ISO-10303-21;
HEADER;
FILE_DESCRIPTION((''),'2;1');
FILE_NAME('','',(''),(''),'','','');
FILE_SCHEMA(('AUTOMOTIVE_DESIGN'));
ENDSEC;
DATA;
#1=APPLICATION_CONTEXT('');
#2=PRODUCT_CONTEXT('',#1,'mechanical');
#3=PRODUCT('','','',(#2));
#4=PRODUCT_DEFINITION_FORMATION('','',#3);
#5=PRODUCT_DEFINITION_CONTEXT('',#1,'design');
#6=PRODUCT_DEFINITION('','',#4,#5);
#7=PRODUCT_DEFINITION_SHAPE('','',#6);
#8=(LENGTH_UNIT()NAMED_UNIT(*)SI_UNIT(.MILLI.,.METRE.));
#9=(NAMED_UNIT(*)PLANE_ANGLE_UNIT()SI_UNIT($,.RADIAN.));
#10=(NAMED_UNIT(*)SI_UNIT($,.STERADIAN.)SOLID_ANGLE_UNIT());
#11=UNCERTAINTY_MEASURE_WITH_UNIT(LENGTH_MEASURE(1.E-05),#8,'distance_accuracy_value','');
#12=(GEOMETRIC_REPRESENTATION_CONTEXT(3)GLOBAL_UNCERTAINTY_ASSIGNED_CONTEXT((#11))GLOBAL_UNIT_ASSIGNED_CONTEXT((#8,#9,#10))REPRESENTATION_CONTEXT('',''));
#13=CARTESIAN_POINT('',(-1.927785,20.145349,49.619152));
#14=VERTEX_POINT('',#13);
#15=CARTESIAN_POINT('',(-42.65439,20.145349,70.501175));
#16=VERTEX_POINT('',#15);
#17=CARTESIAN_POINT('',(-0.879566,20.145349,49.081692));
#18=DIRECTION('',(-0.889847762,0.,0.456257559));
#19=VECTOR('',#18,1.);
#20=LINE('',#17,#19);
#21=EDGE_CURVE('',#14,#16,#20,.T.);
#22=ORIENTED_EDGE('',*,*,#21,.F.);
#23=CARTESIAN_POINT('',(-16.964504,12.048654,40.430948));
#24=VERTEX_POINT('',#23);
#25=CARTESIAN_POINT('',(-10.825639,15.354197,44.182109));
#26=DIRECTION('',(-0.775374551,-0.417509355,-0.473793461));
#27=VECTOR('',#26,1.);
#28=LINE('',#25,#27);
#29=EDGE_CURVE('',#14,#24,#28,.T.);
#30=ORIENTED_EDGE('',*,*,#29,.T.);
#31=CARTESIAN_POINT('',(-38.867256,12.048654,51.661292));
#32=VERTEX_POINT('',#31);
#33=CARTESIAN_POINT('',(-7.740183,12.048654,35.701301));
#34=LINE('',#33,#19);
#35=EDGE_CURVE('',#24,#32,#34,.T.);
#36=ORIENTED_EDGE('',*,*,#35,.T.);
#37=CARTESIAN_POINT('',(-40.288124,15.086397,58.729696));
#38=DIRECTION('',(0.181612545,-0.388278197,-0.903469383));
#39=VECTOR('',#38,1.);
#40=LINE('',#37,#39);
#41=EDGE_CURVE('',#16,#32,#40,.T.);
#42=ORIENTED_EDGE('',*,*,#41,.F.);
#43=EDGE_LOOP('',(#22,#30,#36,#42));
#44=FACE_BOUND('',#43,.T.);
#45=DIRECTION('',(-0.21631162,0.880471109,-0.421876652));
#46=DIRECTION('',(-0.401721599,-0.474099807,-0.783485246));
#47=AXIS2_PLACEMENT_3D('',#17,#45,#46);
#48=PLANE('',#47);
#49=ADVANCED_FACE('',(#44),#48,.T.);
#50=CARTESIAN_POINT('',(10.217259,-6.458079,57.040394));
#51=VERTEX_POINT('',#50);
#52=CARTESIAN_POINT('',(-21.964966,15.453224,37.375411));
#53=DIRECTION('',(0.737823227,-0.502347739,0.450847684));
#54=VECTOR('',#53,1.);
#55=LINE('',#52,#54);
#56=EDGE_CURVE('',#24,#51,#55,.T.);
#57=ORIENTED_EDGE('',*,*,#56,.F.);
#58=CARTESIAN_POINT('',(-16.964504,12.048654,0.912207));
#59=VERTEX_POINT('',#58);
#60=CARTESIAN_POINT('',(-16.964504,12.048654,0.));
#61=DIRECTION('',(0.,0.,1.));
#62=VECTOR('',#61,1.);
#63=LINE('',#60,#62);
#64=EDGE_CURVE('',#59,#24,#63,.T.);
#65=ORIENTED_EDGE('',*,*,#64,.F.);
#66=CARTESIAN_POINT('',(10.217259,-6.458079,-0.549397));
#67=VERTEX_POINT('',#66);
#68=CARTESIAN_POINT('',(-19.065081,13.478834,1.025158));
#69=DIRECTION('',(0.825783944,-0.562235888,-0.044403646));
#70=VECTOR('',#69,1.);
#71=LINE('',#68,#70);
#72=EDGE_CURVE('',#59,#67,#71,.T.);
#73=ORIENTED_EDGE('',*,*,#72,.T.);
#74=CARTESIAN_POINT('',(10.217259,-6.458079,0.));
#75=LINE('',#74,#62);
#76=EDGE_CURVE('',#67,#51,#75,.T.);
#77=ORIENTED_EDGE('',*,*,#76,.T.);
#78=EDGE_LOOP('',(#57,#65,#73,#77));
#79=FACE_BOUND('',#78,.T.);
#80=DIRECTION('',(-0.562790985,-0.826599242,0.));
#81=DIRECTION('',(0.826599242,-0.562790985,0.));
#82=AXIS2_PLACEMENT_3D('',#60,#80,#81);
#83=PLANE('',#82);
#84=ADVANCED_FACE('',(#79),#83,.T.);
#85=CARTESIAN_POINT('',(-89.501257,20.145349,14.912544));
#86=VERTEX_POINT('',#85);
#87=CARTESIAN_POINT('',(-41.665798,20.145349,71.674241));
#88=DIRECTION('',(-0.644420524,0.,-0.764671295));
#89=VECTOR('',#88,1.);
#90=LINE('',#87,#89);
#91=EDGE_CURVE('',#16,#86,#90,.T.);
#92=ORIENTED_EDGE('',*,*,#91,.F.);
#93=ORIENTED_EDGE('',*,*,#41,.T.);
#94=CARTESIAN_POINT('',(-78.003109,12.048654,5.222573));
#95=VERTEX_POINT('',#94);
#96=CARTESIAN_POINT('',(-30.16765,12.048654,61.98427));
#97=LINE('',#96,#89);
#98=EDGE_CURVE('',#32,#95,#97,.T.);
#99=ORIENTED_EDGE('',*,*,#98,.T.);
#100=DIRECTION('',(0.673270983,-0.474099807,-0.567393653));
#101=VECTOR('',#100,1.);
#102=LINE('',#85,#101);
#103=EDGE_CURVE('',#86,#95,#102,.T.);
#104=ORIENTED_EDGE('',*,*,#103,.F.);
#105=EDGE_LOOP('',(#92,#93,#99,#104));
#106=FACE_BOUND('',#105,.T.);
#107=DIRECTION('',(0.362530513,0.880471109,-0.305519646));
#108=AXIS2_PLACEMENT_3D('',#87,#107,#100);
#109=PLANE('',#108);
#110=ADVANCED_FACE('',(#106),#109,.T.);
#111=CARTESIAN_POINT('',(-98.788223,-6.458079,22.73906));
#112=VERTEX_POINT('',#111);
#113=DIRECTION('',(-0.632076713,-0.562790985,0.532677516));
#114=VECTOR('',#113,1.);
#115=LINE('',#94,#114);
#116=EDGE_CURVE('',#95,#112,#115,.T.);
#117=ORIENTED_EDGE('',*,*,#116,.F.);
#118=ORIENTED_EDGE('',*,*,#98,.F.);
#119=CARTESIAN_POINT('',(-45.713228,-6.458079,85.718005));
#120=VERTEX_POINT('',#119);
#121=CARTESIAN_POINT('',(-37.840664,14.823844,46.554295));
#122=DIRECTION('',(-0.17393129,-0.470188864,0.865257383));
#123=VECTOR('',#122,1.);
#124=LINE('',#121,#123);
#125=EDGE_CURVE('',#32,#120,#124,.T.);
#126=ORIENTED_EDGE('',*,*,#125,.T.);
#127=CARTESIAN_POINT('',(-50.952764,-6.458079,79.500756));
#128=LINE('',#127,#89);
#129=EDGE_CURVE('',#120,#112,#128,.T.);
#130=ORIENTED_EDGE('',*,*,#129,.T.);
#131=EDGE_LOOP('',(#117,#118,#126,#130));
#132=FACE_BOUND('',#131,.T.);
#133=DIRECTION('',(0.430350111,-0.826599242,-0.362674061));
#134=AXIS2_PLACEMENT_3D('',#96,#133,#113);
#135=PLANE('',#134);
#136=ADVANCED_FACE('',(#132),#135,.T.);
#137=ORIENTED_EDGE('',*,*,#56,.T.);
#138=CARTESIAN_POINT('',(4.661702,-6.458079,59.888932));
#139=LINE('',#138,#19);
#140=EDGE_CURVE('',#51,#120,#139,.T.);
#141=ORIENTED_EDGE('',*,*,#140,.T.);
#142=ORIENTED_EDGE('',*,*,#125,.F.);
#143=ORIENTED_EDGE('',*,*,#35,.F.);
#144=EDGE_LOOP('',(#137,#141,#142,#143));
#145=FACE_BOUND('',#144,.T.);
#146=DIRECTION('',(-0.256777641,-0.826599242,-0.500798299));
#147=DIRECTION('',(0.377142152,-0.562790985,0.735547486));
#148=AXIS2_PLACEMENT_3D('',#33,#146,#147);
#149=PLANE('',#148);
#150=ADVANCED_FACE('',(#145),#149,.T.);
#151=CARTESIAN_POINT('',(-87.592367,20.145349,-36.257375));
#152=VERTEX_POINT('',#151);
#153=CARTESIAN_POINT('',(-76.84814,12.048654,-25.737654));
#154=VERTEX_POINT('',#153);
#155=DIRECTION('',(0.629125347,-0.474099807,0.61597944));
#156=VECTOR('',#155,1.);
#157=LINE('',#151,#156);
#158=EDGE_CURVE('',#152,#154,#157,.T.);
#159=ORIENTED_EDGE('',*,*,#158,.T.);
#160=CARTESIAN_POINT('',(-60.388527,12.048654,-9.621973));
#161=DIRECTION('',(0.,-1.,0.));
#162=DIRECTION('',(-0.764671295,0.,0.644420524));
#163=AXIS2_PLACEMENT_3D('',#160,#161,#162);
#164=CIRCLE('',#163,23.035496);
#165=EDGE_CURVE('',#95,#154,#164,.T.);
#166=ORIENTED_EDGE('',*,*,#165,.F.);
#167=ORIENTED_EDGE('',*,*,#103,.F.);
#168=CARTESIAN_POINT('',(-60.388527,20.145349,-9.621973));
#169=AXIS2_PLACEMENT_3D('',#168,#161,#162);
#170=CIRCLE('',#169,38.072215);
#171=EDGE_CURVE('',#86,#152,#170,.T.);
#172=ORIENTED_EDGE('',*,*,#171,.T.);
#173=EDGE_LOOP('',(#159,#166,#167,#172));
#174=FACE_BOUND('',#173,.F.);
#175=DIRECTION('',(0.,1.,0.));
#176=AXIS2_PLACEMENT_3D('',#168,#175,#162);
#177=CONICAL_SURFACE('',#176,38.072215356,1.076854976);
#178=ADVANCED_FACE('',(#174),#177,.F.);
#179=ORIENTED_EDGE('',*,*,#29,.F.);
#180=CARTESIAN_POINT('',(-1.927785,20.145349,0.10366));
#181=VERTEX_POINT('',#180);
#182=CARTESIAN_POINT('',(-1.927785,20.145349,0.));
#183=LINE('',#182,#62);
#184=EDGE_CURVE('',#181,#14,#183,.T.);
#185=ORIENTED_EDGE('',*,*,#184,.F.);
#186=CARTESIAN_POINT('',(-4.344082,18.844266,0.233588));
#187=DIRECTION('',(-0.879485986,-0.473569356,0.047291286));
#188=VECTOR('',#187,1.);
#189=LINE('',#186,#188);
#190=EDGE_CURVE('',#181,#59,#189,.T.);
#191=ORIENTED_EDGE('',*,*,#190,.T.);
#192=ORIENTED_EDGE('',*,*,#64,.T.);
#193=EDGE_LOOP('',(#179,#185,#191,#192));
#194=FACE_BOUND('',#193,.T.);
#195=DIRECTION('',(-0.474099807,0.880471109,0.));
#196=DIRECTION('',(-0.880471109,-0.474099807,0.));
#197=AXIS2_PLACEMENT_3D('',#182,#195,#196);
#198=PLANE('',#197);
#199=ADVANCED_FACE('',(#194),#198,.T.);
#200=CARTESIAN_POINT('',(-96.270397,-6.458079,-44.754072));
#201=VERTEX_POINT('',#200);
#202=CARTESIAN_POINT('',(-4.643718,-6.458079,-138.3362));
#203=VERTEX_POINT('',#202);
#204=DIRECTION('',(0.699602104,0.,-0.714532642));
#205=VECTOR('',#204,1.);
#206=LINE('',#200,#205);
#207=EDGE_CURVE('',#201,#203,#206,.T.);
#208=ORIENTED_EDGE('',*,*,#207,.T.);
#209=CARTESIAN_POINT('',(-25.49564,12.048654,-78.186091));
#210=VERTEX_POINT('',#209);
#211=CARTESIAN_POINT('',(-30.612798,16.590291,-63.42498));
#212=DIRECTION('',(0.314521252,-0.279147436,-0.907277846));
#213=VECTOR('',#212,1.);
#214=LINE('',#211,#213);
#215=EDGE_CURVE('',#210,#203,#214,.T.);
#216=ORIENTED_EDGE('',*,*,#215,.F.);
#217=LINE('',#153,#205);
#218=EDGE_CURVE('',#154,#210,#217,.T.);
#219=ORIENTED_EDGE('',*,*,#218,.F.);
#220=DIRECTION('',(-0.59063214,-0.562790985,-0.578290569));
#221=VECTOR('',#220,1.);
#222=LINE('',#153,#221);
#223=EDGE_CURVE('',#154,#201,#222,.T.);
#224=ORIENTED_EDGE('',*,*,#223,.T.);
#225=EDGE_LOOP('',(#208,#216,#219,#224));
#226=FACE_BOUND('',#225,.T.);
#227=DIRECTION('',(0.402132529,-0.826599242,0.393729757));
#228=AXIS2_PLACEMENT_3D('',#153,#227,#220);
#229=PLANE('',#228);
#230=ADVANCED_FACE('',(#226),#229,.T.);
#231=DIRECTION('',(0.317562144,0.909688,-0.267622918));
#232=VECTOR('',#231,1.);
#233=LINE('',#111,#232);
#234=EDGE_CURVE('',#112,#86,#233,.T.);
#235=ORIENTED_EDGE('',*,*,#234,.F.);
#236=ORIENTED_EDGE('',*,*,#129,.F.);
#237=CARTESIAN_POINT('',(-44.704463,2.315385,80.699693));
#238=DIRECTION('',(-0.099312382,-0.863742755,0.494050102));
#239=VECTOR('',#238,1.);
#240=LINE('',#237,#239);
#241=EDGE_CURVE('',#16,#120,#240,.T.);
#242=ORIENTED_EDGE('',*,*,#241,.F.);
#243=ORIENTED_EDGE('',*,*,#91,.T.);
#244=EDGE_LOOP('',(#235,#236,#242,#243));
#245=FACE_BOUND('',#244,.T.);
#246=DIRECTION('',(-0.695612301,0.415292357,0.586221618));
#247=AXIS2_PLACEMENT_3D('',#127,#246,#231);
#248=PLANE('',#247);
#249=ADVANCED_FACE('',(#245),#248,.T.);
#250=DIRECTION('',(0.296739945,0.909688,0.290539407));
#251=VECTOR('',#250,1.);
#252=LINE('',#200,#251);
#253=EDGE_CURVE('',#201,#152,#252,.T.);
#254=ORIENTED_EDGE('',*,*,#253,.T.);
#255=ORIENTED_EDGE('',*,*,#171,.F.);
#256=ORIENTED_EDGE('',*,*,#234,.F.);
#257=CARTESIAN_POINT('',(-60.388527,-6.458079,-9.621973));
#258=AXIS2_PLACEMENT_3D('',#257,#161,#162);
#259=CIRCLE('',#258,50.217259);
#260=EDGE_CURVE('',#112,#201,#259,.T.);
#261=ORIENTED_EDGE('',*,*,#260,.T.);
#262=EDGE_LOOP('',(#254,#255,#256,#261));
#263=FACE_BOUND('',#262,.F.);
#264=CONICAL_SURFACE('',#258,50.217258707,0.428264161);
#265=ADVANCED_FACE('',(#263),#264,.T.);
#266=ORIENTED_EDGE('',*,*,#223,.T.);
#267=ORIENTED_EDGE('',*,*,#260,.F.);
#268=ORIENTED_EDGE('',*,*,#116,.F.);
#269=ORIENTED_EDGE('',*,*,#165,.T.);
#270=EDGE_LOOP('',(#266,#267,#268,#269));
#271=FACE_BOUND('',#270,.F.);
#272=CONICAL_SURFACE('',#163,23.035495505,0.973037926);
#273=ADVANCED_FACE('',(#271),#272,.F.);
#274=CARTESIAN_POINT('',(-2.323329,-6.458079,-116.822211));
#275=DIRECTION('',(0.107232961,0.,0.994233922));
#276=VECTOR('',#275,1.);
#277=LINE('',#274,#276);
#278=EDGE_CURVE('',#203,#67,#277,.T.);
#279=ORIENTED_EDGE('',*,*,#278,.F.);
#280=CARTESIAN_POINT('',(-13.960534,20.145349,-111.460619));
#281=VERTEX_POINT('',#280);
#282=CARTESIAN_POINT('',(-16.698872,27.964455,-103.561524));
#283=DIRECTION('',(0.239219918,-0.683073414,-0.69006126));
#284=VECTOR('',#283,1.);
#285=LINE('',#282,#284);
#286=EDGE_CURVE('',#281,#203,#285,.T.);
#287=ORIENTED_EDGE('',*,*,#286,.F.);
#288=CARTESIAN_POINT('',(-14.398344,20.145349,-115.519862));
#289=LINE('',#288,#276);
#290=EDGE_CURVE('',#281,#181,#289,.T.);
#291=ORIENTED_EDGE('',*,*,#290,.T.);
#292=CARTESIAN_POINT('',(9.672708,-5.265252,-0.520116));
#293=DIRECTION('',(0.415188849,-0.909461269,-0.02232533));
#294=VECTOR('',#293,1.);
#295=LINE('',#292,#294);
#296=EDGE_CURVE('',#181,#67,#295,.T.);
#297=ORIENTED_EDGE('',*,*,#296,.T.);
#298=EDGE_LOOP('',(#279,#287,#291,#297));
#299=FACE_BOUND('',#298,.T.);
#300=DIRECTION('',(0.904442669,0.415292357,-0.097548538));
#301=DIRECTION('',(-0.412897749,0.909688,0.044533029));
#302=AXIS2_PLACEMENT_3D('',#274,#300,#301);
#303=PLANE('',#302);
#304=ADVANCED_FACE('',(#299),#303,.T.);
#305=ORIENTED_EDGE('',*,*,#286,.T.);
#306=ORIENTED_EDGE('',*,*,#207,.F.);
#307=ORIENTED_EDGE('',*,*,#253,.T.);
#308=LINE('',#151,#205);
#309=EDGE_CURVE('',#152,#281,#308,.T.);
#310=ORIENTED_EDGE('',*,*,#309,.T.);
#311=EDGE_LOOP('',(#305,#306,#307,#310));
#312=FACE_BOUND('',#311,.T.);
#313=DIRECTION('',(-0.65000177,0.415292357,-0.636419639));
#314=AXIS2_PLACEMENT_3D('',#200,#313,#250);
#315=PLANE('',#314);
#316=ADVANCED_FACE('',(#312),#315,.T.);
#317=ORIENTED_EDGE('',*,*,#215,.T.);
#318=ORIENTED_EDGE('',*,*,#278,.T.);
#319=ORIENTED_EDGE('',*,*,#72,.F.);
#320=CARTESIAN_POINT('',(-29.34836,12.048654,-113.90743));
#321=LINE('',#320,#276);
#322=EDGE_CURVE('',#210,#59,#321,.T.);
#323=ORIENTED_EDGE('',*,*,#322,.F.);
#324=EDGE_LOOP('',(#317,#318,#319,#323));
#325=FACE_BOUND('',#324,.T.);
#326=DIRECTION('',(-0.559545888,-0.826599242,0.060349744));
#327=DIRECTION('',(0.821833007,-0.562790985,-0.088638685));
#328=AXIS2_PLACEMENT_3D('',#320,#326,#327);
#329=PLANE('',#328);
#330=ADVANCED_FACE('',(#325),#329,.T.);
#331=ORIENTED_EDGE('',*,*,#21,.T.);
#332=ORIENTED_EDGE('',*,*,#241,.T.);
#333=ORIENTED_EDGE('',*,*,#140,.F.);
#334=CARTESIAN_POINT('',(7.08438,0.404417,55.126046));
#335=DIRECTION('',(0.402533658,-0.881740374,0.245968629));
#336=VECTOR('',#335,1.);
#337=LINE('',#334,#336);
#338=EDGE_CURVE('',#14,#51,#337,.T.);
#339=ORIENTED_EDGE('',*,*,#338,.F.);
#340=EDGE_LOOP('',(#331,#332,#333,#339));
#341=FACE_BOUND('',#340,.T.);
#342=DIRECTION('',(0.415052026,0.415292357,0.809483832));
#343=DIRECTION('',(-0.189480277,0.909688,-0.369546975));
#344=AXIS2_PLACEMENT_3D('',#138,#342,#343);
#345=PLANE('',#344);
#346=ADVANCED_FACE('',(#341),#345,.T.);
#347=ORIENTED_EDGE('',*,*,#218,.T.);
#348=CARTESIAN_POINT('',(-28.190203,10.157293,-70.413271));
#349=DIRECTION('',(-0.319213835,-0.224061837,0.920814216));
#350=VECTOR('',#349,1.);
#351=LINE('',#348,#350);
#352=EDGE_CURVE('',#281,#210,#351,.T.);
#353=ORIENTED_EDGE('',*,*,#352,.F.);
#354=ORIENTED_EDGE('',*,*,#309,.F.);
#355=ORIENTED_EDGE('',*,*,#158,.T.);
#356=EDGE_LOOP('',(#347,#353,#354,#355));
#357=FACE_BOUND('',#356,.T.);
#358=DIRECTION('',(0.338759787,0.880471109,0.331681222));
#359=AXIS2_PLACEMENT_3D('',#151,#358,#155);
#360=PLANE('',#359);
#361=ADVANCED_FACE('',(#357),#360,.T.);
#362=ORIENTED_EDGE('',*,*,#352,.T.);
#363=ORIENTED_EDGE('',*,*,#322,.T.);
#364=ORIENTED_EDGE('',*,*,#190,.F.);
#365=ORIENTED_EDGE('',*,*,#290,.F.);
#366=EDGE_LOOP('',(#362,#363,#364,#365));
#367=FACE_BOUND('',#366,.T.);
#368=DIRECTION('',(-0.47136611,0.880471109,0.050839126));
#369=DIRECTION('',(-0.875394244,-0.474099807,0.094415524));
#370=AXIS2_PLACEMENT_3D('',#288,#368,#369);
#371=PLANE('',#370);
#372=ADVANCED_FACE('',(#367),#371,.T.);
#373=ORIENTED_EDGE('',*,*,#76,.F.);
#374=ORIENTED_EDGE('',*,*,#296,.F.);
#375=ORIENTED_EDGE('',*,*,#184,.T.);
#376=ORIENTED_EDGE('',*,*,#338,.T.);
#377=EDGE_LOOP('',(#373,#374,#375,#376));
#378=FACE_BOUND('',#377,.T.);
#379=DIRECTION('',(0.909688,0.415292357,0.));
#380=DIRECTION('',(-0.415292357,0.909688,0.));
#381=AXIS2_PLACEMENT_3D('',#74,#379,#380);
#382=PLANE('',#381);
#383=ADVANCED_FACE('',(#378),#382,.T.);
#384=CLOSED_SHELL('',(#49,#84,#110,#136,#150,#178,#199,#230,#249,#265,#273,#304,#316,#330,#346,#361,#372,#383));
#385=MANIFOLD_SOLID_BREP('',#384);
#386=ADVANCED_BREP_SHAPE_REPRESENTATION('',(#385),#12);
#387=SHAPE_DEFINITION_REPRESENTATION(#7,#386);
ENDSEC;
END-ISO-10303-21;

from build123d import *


with BuildPart() as f2:
    # F2: sweep along a path in F1
    with BuildLine(Plane.XZ) as f2_path:
        Line((0, 0), (0, 50.7971271873))
        Line((0, 50.7971271873), (-43.1399196386, 72.9165449739))
        Line((-43.1399196386, 72.9165449739), (-90.9753785277, 16.1548483209))
        ThreePointArc((-90.9753785277, 16.1548483209), (-100.3607226238, -11.1131320772), (-88.9698324182, -37.6060567764))
        Line((-88.9698324182, -37.6060567764), (-12.4816746493, -115.7265843466))
        Line((-12.4816746493, -115.7265843466), (0, 0))
    # F0 (on Top) → F2 (sweep)
    with BuildSketch(Plane.XY):
        Polygon((10.2172587067, -6.4580785111), (-1.9277846441, 20.1453492045), (-16.9645044953, 12.0486542583), align=None)
    sweep(path=f2_path.line, transition=Transition.RIGHT)


solid = f2.part
